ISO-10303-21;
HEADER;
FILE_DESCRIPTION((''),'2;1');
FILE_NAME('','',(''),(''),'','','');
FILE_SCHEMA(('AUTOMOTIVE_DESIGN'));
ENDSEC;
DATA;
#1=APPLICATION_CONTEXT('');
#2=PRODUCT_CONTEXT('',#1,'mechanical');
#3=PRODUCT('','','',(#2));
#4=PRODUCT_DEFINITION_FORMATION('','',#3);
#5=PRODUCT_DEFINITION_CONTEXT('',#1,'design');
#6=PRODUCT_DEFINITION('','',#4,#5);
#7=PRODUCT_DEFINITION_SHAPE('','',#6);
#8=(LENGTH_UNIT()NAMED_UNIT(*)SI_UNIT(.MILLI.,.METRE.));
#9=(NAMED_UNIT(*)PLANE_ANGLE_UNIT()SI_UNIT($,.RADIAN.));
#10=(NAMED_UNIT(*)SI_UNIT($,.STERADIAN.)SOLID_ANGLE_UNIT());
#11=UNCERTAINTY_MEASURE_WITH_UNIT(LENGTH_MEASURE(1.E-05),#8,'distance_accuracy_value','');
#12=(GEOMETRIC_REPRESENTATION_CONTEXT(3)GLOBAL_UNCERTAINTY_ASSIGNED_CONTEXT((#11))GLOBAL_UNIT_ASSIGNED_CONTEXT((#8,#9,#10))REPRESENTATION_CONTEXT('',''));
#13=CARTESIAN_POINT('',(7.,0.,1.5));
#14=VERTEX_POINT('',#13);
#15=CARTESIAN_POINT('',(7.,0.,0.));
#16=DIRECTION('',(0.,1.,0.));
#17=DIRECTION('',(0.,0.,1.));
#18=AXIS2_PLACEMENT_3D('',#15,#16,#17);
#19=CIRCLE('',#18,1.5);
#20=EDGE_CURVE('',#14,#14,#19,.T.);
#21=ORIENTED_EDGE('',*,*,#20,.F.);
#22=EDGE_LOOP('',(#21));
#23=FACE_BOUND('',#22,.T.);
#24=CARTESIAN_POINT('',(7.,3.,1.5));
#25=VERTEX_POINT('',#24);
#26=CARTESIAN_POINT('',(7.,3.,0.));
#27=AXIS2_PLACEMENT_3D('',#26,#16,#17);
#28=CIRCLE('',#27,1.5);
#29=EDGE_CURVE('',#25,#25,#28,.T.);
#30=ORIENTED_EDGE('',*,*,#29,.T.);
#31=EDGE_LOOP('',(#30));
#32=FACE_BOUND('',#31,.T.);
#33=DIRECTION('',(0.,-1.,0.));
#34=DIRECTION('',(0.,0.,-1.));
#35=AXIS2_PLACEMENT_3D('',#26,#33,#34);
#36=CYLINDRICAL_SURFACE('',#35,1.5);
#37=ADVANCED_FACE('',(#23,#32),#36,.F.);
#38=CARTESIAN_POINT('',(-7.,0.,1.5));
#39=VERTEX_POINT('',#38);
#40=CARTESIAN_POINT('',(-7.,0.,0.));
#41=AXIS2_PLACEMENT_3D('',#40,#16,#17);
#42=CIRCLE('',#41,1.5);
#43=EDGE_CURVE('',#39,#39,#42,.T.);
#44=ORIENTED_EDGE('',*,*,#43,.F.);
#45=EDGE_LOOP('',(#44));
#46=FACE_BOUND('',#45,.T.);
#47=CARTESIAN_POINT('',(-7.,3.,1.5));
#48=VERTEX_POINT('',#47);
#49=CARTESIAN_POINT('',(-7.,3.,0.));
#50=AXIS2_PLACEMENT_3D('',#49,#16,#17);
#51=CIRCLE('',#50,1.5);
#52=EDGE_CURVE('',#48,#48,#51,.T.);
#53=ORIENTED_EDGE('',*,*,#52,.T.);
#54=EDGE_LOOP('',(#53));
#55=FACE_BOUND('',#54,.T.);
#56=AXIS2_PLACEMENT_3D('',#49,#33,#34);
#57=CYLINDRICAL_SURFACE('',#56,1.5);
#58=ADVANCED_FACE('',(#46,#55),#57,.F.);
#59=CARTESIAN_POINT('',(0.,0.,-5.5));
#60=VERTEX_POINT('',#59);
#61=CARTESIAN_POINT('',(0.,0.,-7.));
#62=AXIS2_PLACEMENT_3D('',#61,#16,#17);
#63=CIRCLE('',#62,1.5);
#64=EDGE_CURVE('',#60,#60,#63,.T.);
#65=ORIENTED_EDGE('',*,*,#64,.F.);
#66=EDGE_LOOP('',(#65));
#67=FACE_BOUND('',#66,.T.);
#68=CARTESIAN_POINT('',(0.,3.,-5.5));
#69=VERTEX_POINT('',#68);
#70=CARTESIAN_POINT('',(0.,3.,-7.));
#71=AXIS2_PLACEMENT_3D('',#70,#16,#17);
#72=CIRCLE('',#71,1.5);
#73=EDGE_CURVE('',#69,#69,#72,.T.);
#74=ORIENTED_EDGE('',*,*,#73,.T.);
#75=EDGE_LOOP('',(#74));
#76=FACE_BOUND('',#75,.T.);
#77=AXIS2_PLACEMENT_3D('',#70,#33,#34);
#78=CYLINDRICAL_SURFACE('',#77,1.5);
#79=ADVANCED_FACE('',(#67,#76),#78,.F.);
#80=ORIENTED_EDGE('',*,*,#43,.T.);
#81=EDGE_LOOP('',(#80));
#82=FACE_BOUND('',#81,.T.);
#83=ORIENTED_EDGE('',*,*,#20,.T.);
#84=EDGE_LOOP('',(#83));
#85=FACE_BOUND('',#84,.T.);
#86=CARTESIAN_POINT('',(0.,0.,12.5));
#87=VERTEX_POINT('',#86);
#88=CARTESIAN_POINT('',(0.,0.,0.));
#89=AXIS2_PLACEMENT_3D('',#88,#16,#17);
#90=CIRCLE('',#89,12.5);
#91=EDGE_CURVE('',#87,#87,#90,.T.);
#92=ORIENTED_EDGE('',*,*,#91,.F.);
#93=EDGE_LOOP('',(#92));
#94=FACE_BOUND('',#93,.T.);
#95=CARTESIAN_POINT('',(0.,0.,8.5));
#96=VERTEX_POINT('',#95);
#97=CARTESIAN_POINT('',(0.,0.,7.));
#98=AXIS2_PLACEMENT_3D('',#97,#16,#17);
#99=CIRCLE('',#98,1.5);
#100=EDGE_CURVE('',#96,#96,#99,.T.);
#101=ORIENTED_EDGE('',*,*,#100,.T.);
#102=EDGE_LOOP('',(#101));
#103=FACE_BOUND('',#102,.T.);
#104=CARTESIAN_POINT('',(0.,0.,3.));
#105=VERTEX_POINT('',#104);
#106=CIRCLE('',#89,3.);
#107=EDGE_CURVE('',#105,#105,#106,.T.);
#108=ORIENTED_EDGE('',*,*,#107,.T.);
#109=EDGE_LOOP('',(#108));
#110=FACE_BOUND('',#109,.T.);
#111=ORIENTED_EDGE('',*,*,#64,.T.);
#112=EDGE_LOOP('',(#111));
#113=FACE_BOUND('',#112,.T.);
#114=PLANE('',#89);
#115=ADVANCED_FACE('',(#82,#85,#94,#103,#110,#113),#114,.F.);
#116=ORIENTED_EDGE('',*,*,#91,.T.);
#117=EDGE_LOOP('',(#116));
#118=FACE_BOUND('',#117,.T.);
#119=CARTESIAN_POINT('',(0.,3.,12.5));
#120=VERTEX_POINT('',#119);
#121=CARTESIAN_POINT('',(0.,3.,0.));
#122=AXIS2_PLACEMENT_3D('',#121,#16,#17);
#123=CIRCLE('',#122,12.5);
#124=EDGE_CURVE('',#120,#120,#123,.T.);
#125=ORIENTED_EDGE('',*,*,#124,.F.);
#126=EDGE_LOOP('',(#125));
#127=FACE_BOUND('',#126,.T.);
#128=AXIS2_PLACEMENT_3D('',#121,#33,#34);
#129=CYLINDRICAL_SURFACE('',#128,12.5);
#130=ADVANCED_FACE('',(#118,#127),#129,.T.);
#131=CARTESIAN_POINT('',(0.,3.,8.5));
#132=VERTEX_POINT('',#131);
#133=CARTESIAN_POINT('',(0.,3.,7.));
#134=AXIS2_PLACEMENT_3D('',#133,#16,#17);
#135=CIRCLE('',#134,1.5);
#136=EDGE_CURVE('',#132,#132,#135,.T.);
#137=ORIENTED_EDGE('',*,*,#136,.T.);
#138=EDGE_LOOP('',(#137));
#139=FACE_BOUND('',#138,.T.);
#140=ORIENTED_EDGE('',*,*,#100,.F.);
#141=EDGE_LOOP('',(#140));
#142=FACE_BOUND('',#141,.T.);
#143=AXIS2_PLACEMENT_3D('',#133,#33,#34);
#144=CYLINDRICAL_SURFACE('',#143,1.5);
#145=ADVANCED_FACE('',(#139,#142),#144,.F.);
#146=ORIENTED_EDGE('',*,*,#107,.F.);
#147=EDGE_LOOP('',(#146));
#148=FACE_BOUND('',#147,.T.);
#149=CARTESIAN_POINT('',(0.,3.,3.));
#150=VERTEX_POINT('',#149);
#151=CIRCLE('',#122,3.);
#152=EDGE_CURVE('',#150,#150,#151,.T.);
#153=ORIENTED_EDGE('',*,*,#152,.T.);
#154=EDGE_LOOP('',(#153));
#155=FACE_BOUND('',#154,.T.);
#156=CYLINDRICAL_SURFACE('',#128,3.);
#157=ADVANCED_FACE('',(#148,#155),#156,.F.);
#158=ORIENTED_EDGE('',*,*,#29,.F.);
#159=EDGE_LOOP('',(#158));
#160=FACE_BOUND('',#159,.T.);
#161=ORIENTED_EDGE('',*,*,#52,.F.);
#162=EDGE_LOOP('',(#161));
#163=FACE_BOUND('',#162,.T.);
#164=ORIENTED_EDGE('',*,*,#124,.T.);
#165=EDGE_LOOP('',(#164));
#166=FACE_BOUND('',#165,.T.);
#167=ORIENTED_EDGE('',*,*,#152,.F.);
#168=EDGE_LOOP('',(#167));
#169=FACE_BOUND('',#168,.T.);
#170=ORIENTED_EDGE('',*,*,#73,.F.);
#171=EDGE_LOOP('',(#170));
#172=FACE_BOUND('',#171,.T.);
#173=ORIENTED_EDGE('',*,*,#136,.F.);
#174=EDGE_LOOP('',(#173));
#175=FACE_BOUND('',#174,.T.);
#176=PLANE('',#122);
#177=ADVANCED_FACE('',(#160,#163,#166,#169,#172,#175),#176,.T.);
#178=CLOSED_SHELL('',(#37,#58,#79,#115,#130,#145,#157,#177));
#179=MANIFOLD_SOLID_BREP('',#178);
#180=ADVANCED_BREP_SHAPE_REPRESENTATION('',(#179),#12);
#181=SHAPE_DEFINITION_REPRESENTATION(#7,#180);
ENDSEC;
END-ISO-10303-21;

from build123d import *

# Parameters (mm, degrees)
SKETCH1_R           = 12.5
SKETCH1_R_2         = 1.5
SKETCH1_R_3         = 3
BOSS_EXTRUDE1_DEPTH = 3


with BuildPart() as part:
    # Sketch1 → Boss-Extrude1 (new body)
    with BuildSketch(Plane(origin=(0, 0, 0), x_dir=(1, 0, 0), z_dir=(0, 1, 0))):
        Circle(SKETCH1_R)
        with Locations((-7, 0)):
            Circle(SKETCH1_R_2, mode=Mode.SUBTRACT)
        with Locations((0, 7)):
            Circle(SKETCH1_R_2, mode=Mode.SUBTRACT)
        with Locations((7, 0)):
            Circle(SKETCH1_R_2, mode=Mode.SUBTRACT)
        with Locations((0, -7)):
            Circle(SKETCH1_R_2, mode=Mode.SUBTRACT)
        Circle(SKETCH1_R_3, mode=Mode.SUBTRACT)
    extrude(amount=BOSS_EXTRUDE1_DEPTH)


solid = part.part
